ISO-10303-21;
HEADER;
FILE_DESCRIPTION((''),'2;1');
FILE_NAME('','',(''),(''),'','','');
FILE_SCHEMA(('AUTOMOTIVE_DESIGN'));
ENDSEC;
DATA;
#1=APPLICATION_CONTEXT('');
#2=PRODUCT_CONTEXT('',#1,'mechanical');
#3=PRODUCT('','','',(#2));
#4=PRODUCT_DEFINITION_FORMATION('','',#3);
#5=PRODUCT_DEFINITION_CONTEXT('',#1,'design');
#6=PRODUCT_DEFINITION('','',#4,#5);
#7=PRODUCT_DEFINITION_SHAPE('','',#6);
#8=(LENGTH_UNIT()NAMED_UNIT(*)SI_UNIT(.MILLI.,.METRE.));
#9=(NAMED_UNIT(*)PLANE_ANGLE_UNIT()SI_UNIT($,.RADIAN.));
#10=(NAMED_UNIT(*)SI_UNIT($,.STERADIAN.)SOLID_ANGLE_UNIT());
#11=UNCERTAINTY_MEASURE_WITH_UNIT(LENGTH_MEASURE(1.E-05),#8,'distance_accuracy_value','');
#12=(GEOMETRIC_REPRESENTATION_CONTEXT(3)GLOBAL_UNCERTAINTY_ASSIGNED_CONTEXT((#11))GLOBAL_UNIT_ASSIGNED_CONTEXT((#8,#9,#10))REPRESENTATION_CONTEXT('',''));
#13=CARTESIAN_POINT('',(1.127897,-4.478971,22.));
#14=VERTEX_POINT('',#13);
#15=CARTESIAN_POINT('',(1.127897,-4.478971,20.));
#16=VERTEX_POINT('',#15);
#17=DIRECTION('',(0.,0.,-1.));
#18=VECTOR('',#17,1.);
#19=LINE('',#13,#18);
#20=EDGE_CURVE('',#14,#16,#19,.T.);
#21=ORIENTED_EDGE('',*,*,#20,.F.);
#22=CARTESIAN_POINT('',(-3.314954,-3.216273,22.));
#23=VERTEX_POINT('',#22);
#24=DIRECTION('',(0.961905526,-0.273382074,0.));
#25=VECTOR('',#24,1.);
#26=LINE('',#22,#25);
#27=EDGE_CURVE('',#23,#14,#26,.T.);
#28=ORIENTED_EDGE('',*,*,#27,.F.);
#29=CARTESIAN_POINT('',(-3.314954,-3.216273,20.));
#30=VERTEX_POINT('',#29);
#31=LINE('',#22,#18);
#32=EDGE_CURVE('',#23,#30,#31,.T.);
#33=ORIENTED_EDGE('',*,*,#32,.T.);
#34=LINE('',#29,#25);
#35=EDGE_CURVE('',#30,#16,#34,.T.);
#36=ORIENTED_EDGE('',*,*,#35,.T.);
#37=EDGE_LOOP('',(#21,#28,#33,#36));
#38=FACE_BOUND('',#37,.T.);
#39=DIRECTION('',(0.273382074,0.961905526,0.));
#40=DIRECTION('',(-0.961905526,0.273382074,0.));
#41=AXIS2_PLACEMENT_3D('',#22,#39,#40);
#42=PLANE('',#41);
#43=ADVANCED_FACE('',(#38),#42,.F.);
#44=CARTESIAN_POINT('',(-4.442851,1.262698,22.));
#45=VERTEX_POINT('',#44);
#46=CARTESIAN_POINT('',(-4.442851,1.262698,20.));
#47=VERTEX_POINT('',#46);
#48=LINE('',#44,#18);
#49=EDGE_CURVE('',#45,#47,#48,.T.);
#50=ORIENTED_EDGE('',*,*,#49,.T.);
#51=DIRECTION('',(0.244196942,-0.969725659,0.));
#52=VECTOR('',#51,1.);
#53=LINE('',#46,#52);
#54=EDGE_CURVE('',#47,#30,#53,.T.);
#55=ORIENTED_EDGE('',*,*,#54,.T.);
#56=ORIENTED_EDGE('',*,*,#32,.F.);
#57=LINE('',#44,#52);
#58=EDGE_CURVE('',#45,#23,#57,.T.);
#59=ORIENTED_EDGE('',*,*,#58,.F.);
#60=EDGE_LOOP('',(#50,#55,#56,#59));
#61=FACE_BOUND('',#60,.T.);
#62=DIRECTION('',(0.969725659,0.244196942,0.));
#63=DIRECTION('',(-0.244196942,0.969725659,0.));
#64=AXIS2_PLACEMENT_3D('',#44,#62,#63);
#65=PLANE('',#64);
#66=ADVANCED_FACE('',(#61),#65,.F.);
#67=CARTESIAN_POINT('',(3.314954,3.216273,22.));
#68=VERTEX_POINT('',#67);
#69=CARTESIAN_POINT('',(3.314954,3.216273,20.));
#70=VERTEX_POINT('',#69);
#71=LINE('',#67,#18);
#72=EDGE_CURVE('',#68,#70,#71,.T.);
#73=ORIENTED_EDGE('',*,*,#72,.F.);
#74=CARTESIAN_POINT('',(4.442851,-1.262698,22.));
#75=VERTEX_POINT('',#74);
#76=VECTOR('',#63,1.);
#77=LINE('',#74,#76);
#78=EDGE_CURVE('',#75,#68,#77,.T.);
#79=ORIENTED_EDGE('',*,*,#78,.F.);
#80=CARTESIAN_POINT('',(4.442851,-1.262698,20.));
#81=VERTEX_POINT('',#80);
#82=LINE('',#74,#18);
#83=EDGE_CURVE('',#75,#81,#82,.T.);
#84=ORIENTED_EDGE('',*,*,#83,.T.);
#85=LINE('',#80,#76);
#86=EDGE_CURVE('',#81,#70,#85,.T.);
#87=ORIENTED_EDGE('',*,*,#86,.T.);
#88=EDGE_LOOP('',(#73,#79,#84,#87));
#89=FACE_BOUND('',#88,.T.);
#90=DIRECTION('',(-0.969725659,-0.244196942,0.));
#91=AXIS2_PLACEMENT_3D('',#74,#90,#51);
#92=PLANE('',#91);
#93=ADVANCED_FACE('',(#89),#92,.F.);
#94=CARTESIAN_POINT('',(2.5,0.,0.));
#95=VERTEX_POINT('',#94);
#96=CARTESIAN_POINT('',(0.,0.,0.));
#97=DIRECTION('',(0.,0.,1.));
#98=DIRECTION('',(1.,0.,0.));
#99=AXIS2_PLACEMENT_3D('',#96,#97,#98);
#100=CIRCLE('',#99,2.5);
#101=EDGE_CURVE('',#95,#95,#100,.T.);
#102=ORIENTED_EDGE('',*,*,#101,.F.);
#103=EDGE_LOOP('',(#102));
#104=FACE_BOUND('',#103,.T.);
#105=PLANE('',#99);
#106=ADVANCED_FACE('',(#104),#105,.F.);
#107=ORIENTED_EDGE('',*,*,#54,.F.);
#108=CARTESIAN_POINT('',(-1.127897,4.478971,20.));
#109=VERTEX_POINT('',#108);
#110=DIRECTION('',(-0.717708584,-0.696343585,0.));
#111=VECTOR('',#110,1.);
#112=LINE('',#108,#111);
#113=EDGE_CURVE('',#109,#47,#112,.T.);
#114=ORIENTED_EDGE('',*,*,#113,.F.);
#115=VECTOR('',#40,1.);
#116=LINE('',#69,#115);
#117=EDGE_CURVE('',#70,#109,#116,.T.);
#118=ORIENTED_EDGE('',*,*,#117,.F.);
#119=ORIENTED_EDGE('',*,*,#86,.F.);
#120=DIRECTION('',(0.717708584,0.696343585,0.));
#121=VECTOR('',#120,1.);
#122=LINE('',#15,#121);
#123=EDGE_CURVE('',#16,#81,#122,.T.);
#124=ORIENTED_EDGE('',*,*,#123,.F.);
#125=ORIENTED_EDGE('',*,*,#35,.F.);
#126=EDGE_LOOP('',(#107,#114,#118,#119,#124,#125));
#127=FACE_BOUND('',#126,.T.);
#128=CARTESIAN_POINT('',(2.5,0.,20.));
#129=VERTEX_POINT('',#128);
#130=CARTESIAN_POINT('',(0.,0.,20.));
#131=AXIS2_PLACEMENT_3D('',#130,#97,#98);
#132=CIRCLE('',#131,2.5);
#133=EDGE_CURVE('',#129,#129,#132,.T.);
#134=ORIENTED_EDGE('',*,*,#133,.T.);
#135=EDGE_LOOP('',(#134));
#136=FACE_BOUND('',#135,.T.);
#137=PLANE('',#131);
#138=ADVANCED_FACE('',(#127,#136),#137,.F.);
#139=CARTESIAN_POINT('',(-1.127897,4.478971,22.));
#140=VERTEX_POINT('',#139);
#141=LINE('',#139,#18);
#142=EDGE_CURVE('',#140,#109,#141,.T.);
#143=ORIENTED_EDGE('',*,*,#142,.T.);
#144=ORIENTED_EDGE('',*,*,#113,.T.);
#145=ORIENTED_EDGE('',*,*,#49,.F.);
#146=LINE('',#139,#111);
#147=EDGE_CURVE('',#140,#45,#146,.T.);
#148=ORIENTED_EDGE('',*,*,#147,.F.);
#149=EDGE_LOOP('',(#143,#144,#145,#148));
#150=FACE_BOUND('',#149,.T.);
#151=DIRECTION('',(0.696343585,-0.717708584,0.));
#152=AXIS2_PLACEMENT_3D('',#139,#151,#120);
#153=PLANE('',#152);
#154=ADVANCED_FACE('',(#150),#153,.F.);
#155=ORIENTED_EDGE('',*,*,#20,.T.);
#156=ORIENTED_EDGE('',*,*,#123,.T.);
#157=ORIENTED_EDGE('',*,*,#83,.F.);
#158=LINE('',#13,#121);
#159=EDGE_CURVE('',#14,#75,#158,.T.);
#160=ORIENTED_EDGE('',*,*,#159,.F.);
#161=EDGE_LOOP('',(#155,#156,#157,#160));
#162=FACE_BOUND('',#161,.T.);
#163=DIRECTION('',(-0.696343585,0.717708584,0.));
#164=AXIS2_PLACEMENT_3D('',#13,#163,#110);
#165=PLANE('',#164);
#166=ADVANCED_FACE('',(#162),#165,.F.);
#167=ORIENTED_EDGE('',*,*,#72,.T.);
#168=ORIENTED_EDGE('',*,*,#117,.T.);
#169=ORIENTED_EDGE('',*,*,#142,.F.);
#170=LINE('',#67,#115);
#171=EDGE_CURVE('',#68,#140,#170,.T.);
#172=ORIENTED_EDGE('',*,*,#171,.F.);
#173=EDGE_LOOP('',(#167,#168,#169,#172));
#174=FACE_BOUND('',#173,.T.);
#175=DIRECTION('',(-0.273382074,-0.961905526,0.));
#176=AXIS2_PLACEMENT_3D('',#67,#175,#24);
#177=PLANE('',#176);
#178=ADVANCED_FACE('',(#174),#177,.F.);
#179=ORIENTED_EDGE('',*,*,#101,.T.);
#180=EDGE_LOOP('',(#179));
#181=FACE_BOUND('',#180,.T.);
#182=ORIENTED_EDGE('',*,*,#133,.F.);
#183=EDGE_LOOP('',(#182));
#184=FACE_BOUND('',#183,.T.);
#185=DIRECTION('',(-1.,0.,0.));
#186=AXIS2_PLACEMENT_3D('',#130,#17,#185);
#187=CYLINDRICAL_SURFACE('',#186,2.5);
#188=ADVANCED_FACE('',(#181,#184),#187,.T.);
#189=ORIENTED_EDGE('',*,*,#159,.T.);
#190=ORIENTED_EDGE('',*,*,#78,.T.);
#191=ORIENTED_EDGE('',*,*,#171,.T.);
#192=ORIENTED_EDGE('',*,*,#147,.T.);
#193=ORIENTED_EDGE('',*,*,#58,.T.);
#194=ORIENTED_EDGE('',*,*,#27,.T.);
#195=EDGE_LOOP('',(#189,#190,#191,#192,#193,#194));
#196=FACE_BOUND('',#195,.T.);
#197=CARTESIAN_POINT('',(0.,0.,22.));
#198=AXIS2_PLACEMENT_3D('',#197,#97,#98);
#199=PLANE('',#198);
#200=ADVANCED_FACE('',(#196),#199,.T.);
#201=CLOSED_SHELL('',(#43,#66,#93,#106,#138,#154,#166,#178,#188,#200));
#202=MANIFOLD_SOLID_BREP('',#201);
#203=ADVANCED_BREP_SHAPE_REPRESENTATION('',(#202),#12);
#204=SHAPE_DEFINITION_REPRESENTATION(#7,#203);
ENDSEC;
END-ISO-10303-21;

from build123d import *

# Parameters (mm, degrees)
SKETCH_1_R      = 2.5
EXTRUDE_1_DEPTH = 20
EXTRUDE_2_DEPTH = 2


with BuildPart() as part:
    # Эскиз1 → Бобышка-Вытянуть1 (new body)
    with BuildSketch(Plane.XY):
        Circle(SKETCH_1_R)
    extrude(amount=EXTRUDE_1_DEPTH)

    # Эскиз3 → Бобышка-Вытянуть2 (add)
    with BuildSketch(Plane.XY.offset(20)):
        Polygon((3.314953954, 3.216273249), (-1.127897363, 4.478970961), (-4.442851317, 1.262697712), (-3.314953954, -3.216273249), (1.127897363, -4.478970961), (4.442851317, -1.262697712), align=None)
    extrude(amount=EXTRUDE_2_DEPTH)


solid = part.part
